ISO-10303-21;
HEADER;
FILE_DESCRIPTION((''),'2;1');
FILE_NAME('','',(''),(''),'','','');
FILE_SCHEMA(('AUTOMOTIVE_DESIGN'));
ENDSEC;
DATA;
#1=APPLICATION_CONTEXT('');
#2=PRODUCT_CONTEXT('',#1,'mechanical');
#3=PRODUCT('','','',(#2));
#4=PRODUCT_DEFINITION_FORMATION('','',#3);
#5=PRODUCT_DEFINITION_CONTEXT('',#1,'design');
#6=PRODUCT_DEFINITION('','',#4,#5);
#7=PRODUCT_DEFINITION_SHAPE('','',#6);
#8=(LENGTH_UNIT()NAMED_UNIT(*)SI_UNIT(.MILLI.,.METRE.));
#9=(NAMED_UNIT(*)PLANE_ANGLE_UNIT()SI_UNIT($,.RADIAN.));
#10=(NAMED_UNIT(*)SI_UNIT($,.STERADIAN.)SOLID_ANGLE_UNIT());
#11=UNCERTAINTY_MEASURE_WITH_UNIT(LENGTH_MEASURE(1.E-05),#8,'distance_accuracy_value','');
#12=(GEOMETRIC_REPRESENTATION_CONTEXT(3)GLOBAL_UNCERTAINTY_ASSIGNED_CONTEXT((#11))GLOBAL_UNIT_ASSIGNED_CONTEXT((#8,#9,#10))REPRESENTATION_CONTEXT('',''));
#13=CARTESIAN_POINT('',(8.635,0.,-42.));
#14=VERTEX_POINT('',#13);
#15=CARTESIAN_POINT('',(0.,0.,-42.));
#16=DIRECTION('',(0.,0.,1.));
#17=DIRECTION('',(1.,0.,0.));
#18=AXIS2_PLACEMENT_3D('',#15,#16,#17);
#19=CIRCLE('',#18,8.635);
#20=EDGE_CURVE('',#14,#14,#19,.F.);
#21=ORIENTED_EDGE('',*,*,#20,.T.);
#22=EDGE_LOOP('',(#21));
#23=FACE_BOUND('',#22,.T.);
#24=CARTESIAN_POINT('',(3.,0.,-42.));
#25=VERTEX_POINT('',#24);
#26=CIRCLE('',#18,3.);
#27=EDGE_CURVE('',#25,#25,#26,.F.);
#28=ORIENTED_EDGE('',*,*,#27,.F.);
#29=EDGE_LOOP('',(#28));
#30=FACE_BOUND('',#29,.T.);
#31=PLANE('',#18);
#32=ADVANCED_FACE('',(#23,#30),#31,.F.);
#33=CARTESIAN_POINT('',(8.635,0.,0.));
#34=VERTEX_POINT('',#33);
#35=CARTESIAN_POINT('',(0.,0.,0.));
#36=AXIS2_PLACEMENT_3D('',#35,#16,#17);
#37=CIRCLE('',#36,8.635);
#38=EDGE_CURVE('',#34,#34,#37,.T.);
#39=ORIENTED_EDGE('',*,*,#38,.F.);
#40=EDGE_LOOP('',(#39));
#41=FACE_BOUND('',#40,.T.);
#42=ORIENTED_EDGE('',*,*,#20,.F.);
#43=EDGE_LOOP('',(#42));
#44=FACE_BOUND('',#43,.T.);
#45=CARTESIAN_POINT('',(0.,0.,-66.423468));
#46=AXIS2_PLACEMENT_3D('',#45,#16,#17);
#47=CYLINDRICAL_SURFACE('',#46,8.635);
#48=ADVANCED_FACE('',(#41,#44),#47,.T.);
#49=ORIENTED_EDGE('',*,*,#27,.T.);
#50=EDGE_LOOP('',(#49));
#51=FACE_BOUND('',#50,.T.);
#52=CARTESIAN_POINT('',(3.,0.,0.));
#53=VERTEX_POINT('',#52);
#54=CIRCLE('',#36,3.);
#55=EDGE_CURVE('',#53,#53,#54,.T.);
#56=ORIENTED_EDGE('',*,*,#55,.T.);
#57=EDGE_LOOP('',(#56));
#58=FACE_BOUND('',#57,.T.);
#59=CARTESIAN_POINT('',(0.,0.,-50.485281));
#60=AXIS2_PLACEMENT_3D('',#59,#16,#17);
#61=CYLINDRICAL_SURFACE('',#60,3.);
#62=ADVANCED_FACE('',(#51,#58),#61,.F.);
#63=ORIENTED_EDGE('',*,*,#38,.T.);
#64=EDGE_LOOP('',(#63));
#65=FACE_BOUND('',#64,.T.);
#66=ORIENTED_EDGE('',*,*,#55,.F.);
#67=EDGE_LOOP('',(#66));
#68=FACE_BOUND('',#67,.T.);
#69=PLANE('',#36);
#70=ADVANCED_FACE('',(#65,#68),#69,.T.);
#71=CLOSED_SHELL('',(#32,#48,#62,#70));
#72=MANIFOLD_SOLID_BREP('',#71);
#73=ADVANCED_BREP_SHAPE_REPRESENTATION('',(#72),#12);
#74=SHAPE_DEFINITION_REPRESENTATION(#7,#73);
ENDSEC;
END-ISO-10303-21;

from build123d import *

# Parameters (mm, degrees)
SKETCH3_R      = 8.635
BODY_DEPTH     = 42
CUT_HOLE_REACH = 45.739
SKETCH4_R      = 3


with BuildPart() as part:
    # Sketch3 → body (new body)
    with BuildSketch(Plane.XY):
        Circle(SKETCH3_R)
    extrude(amount=-BODY_DEPTH)

    # Sketch4 → cut-hole (cut, up to next)
    with BuildSketch(Plane.XY, mode=Mode.PRIVATE) as cut_hole_sk1:
        Circle(SKETCH4_R)
    cut_hole_tool1 = extrude(cut_hole_sk1.sketch, amount=-CUT_HOLE_REACH, mode=Mode.PRIVATE) & part.part
    add(cut_hole_tool1.solids().sort_by_distance((0, 0, 0))[0], mode=Mode.SUBTRACT)


solid = part.part
